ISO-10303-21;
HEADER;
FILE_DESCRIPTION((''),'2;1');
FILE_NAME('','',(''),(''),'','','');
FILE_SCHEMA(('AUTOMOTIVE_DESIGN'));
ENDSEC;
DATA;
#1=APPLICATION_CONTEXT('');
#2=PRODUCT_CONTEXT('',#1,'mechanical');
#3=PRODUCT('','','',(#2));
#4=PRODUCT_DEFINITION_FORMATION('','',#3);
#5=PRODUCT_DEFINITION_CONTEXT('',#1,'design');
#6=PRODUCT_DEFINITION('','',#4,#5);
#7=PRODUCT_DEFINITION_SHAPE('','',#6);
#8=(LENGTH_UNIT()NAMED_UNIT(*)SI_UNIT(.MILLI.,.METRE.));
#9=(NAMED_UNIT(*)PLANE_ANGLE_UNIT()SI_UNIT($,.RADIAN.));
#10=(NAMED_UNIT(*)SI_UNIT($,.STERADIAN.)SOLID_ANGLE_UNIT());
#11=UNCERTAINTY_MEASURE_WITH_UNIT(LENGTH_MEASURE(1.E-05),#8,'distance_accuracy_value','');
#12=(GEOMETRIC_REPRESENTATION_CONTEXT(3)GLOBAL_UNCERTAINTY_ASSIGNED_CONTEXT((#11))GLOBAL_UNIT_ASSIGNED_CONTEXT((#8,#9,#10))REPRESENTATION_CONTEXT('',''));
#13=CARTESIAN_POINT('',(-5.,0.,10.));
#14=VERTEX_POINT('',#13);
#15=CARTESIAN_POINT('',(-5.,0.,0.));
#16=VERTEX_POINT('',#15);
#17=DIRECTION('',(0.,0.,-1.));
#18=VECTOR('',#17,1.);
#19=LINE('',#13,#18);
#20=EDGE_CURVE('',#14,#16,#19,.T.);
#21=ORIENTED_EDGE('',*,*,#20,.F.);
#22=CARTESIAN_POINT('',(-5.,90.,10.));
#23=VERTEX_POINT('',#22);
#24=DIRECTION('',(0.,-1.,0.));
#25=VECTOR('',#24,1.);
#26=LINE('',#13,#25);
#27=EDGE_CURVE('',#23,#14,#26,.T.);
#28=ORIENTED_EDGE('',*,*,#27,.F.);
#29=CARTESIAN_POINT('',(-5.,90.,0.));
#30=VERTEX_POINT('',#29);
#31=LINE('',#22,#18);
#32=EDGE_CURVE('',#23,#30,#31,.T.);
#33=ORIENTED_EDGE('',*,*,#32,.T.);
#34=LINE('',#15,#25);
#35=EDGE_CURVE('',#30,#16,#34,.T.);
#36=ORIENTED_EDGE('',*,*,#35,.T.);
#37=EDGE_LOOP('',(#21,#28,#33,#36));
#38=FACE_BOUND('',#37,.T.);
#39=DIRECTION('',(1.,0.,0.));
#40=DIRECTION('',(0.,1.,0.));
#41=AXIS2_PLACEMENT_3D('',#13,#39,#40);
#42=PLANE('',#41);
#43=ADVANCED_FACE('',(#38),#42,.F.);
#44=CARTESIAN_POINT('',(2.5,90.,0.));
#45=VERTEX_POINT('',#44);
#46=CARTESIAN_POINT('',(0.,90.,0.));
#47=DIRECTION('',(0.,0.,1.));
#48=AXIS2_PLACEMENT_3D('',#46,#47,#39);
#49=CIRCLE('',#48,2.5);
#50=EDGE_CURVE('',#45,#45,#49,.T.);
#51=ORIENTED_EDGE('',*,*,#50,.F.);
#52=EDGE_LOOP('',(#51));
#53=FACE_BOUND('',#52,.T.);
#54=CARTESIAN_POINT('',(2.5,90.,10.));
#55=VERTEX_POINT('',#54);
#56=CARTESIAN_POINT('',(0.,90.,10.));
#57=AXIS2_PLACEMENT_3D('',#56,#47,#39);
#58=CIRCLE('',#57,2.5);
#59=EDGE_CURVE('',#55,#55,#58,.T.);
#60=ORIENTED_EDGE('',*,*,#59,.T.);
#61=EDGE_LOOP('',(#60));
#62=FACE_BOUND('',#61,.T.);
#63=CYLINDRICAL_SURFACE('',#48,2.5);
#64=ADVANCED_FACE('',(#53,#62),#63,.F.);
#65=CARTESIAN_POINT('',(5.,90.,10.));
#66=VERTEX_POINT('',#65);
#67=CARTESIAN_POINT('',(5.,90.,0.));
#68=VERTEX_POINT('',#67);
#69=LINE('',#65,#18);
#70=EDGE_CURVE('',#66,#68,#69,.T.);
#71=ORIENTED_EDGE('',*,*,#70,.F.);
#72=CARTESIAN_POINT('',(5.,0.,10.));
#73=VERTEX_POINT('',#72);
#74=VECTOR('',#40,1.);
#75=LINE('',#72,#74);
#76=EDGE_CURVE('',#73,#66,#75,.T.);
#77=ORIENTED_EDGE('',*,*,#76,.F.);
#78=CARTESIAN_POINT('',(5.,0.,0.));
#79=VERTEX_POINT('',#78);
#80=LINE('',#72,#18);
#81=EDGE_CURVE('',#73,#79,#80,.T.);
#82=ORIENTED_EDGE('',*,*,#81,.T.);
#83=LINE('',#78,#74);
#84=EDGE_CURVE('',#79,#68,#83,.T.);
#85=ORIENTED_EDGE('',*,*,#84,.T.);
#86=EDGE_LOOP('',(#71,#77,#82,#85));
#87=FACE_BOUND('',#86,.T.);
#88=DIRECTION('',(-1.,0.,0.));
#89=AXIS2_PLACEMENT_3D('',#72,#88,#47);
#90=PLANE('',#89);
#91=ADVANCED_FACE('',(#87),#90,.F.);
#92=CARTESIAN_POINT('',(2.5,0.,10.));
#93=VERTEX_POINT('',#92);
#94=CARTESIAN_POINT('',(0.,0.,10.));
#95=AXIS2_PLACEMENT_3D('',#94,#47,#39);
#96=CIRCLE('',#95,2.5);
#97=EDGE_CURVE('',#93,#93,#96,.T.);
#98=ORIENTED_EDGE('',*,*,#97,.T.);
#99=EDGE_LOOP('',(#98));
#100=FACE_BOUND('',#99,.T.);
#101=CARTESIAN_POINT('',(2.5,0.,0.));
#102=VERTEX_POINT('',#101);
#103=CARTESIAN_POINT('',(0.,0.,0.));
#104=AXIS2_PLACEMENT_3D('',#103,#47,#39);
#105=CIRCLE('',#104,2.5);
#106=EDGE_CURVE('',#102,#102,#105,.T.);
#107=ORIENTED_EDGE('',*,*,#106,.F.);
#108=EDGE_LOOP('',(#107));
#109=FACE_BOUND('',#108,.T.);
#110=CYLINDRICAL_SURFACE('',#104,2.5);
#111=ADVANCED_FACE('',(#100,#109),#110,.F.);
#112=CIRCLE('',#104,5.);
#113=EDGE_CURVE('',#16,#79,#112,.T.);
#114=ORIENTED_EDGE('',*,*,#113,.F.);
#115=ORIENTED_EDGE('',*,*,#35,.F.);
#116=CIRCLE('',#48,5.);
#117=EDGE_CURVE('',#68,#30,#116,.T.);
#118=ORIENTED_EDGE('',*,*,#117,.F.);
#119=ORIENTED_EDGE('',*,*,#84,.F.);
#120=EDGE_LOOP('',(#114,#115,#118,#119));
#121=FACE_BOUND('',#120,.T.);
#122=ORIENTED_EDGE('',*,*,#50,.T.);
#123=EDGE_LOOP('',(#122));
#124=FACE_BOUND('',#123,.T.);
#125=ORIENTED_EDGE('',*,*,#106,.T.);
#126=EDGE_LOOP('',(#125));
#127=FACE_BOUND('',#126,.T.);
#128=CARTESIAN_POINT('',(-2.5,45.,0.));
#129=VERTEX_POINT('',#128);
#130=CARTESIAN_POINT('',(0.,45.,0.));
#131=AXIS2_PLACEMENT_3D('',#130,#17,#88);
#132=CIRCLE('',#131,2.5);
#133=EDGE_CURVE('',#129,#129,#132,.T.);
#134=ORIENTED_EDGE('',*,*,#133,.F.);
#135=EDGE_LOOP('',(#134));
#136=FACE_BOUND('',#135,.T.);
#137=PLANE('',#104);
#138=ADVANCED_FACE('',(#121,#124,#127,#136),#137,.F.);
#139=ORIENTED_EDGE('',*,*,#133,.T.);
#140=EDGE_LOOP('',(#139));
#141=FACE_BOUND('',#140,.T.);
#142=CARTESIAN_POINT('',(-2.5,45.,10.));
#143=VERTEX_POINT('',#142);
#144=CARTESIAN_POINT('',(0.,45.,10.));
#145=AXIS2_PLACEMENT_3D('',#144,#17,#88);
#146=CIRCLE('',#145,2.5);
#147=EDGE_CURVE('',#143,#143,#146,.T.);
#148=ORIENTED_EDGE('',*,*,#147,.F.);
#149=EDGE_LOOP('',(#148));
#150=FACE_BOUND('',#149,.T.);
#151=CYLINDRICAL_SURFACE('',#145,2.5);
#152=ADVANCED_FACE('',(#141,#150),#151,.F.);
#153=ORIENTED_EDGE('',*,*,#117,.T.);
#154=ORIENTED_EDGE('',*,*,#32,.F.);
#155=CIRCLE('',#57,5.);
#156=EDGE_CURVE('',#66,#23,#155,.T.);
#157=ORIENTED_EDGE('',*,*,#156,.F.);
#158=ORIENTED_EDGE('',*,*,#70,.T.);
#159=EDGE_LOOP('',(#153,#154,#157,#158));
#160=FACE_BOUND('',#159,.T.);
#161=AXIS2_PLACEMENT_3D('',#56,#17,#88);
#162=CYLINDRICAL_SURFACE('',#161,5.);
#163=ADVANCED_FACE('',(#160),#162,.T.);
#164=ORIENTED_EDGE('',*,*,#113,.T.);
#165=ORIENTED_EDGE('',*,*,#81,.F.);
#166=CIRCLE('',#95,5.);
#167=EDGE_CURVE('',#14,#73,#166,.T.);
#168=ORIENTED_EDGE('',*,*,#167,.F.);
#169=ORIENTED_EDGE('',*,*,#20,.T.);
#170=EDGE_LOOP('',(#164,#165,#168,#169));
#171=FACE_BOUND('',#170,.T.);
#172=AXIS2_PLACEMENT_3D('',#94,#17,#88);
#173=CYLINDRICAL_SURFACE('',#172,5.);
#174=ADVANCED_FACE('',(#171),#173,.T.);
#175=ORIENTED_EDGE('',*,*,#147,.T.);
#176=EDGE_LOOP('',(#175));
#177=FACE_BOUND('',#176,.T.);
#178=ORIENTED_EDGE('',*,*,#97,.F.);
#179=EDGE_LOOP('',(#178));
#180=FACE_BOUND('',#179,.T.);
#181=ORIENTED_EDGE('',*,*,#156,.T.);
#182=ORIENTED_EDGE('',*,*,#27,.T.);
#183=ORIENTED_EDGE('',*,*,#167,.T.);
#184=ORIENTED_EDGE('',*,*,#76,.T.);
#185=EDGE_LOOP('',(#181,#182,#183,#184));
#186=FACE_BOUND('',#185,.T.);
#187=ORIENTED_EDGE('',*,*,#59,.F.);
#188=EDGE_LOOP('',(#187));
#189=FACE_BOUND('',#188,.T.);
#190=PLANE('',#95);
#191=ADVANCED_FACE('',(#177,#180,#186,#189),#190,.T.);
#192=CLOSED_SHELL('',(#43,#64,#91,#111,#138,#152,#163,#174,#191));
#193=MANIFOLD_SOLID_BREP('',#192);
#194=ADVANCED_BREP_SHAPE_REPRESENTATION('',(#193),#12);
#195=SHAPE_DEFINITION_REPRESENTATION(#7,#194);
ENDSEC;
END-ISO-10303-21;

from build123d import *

# Parameters (mm, degrees)
EXTRUDE_1_DEPTH     = 10
SKETCH_3_R          = 2.5
CUT_EXTRUDE_1_DEPTH = 10
SKETCH_4_R          = 2.5
CUT_EXTRUDE_2_DEPTH = 10
SKETCH_5_R          = 2.5
CUT_EXTRUDE_3_DEPTH = 10


with BuildPart() as part:
    # 草图1 → 凸台-拉伸1 (new body)
    with BuildSketch(Plane.XY):
        with BuildLine():
            Line((-5, 0), (-5, 90))
            ThreePointArc((-5, 90), (0, 95), (5, 90))
            Line((5, 90), (5, 0))
            ThreePointArc((5, 0), (0, -5), (-5, 0))
        make_face()
    extrude(amount=EXTRUDE_1_DEPTH)

    # 草图3 → 切除-拉伸1 (cut)
    with BuildSketch(Plane(origin=(0, 0, 0), x_dir=(-1, 0, 0), z_dir=(0, 0, -1))):
        with Locations((0, 45)):
            Circle(SKETCH_3_R)
    extrude(amount=-CUT_EXTRUDE_1_DEPTH, mode=Mode.SUBTRACT)

    # 草图4 → 切除-拉伸2 (cut)
    with BuildSketch(Plane.XY.offset(10)):
        with Locations((0, 90)):
            Circle(SKETCH_4_R)
    extrude(amount=-CUT_EXTRUDE_2_DEPTH, mode=Mode.SUBTRACT)

    # 草图5 → 切除-拉伸3 (cut)
    with BuildSketch(Plane.XY.offset(10)):
        Circle(SKETCH_5_R)
    extrude(amount=-CUT_EXTRUDE_3_DEPTH, mode=Mode.SUBTRACT)


solid = part.part
